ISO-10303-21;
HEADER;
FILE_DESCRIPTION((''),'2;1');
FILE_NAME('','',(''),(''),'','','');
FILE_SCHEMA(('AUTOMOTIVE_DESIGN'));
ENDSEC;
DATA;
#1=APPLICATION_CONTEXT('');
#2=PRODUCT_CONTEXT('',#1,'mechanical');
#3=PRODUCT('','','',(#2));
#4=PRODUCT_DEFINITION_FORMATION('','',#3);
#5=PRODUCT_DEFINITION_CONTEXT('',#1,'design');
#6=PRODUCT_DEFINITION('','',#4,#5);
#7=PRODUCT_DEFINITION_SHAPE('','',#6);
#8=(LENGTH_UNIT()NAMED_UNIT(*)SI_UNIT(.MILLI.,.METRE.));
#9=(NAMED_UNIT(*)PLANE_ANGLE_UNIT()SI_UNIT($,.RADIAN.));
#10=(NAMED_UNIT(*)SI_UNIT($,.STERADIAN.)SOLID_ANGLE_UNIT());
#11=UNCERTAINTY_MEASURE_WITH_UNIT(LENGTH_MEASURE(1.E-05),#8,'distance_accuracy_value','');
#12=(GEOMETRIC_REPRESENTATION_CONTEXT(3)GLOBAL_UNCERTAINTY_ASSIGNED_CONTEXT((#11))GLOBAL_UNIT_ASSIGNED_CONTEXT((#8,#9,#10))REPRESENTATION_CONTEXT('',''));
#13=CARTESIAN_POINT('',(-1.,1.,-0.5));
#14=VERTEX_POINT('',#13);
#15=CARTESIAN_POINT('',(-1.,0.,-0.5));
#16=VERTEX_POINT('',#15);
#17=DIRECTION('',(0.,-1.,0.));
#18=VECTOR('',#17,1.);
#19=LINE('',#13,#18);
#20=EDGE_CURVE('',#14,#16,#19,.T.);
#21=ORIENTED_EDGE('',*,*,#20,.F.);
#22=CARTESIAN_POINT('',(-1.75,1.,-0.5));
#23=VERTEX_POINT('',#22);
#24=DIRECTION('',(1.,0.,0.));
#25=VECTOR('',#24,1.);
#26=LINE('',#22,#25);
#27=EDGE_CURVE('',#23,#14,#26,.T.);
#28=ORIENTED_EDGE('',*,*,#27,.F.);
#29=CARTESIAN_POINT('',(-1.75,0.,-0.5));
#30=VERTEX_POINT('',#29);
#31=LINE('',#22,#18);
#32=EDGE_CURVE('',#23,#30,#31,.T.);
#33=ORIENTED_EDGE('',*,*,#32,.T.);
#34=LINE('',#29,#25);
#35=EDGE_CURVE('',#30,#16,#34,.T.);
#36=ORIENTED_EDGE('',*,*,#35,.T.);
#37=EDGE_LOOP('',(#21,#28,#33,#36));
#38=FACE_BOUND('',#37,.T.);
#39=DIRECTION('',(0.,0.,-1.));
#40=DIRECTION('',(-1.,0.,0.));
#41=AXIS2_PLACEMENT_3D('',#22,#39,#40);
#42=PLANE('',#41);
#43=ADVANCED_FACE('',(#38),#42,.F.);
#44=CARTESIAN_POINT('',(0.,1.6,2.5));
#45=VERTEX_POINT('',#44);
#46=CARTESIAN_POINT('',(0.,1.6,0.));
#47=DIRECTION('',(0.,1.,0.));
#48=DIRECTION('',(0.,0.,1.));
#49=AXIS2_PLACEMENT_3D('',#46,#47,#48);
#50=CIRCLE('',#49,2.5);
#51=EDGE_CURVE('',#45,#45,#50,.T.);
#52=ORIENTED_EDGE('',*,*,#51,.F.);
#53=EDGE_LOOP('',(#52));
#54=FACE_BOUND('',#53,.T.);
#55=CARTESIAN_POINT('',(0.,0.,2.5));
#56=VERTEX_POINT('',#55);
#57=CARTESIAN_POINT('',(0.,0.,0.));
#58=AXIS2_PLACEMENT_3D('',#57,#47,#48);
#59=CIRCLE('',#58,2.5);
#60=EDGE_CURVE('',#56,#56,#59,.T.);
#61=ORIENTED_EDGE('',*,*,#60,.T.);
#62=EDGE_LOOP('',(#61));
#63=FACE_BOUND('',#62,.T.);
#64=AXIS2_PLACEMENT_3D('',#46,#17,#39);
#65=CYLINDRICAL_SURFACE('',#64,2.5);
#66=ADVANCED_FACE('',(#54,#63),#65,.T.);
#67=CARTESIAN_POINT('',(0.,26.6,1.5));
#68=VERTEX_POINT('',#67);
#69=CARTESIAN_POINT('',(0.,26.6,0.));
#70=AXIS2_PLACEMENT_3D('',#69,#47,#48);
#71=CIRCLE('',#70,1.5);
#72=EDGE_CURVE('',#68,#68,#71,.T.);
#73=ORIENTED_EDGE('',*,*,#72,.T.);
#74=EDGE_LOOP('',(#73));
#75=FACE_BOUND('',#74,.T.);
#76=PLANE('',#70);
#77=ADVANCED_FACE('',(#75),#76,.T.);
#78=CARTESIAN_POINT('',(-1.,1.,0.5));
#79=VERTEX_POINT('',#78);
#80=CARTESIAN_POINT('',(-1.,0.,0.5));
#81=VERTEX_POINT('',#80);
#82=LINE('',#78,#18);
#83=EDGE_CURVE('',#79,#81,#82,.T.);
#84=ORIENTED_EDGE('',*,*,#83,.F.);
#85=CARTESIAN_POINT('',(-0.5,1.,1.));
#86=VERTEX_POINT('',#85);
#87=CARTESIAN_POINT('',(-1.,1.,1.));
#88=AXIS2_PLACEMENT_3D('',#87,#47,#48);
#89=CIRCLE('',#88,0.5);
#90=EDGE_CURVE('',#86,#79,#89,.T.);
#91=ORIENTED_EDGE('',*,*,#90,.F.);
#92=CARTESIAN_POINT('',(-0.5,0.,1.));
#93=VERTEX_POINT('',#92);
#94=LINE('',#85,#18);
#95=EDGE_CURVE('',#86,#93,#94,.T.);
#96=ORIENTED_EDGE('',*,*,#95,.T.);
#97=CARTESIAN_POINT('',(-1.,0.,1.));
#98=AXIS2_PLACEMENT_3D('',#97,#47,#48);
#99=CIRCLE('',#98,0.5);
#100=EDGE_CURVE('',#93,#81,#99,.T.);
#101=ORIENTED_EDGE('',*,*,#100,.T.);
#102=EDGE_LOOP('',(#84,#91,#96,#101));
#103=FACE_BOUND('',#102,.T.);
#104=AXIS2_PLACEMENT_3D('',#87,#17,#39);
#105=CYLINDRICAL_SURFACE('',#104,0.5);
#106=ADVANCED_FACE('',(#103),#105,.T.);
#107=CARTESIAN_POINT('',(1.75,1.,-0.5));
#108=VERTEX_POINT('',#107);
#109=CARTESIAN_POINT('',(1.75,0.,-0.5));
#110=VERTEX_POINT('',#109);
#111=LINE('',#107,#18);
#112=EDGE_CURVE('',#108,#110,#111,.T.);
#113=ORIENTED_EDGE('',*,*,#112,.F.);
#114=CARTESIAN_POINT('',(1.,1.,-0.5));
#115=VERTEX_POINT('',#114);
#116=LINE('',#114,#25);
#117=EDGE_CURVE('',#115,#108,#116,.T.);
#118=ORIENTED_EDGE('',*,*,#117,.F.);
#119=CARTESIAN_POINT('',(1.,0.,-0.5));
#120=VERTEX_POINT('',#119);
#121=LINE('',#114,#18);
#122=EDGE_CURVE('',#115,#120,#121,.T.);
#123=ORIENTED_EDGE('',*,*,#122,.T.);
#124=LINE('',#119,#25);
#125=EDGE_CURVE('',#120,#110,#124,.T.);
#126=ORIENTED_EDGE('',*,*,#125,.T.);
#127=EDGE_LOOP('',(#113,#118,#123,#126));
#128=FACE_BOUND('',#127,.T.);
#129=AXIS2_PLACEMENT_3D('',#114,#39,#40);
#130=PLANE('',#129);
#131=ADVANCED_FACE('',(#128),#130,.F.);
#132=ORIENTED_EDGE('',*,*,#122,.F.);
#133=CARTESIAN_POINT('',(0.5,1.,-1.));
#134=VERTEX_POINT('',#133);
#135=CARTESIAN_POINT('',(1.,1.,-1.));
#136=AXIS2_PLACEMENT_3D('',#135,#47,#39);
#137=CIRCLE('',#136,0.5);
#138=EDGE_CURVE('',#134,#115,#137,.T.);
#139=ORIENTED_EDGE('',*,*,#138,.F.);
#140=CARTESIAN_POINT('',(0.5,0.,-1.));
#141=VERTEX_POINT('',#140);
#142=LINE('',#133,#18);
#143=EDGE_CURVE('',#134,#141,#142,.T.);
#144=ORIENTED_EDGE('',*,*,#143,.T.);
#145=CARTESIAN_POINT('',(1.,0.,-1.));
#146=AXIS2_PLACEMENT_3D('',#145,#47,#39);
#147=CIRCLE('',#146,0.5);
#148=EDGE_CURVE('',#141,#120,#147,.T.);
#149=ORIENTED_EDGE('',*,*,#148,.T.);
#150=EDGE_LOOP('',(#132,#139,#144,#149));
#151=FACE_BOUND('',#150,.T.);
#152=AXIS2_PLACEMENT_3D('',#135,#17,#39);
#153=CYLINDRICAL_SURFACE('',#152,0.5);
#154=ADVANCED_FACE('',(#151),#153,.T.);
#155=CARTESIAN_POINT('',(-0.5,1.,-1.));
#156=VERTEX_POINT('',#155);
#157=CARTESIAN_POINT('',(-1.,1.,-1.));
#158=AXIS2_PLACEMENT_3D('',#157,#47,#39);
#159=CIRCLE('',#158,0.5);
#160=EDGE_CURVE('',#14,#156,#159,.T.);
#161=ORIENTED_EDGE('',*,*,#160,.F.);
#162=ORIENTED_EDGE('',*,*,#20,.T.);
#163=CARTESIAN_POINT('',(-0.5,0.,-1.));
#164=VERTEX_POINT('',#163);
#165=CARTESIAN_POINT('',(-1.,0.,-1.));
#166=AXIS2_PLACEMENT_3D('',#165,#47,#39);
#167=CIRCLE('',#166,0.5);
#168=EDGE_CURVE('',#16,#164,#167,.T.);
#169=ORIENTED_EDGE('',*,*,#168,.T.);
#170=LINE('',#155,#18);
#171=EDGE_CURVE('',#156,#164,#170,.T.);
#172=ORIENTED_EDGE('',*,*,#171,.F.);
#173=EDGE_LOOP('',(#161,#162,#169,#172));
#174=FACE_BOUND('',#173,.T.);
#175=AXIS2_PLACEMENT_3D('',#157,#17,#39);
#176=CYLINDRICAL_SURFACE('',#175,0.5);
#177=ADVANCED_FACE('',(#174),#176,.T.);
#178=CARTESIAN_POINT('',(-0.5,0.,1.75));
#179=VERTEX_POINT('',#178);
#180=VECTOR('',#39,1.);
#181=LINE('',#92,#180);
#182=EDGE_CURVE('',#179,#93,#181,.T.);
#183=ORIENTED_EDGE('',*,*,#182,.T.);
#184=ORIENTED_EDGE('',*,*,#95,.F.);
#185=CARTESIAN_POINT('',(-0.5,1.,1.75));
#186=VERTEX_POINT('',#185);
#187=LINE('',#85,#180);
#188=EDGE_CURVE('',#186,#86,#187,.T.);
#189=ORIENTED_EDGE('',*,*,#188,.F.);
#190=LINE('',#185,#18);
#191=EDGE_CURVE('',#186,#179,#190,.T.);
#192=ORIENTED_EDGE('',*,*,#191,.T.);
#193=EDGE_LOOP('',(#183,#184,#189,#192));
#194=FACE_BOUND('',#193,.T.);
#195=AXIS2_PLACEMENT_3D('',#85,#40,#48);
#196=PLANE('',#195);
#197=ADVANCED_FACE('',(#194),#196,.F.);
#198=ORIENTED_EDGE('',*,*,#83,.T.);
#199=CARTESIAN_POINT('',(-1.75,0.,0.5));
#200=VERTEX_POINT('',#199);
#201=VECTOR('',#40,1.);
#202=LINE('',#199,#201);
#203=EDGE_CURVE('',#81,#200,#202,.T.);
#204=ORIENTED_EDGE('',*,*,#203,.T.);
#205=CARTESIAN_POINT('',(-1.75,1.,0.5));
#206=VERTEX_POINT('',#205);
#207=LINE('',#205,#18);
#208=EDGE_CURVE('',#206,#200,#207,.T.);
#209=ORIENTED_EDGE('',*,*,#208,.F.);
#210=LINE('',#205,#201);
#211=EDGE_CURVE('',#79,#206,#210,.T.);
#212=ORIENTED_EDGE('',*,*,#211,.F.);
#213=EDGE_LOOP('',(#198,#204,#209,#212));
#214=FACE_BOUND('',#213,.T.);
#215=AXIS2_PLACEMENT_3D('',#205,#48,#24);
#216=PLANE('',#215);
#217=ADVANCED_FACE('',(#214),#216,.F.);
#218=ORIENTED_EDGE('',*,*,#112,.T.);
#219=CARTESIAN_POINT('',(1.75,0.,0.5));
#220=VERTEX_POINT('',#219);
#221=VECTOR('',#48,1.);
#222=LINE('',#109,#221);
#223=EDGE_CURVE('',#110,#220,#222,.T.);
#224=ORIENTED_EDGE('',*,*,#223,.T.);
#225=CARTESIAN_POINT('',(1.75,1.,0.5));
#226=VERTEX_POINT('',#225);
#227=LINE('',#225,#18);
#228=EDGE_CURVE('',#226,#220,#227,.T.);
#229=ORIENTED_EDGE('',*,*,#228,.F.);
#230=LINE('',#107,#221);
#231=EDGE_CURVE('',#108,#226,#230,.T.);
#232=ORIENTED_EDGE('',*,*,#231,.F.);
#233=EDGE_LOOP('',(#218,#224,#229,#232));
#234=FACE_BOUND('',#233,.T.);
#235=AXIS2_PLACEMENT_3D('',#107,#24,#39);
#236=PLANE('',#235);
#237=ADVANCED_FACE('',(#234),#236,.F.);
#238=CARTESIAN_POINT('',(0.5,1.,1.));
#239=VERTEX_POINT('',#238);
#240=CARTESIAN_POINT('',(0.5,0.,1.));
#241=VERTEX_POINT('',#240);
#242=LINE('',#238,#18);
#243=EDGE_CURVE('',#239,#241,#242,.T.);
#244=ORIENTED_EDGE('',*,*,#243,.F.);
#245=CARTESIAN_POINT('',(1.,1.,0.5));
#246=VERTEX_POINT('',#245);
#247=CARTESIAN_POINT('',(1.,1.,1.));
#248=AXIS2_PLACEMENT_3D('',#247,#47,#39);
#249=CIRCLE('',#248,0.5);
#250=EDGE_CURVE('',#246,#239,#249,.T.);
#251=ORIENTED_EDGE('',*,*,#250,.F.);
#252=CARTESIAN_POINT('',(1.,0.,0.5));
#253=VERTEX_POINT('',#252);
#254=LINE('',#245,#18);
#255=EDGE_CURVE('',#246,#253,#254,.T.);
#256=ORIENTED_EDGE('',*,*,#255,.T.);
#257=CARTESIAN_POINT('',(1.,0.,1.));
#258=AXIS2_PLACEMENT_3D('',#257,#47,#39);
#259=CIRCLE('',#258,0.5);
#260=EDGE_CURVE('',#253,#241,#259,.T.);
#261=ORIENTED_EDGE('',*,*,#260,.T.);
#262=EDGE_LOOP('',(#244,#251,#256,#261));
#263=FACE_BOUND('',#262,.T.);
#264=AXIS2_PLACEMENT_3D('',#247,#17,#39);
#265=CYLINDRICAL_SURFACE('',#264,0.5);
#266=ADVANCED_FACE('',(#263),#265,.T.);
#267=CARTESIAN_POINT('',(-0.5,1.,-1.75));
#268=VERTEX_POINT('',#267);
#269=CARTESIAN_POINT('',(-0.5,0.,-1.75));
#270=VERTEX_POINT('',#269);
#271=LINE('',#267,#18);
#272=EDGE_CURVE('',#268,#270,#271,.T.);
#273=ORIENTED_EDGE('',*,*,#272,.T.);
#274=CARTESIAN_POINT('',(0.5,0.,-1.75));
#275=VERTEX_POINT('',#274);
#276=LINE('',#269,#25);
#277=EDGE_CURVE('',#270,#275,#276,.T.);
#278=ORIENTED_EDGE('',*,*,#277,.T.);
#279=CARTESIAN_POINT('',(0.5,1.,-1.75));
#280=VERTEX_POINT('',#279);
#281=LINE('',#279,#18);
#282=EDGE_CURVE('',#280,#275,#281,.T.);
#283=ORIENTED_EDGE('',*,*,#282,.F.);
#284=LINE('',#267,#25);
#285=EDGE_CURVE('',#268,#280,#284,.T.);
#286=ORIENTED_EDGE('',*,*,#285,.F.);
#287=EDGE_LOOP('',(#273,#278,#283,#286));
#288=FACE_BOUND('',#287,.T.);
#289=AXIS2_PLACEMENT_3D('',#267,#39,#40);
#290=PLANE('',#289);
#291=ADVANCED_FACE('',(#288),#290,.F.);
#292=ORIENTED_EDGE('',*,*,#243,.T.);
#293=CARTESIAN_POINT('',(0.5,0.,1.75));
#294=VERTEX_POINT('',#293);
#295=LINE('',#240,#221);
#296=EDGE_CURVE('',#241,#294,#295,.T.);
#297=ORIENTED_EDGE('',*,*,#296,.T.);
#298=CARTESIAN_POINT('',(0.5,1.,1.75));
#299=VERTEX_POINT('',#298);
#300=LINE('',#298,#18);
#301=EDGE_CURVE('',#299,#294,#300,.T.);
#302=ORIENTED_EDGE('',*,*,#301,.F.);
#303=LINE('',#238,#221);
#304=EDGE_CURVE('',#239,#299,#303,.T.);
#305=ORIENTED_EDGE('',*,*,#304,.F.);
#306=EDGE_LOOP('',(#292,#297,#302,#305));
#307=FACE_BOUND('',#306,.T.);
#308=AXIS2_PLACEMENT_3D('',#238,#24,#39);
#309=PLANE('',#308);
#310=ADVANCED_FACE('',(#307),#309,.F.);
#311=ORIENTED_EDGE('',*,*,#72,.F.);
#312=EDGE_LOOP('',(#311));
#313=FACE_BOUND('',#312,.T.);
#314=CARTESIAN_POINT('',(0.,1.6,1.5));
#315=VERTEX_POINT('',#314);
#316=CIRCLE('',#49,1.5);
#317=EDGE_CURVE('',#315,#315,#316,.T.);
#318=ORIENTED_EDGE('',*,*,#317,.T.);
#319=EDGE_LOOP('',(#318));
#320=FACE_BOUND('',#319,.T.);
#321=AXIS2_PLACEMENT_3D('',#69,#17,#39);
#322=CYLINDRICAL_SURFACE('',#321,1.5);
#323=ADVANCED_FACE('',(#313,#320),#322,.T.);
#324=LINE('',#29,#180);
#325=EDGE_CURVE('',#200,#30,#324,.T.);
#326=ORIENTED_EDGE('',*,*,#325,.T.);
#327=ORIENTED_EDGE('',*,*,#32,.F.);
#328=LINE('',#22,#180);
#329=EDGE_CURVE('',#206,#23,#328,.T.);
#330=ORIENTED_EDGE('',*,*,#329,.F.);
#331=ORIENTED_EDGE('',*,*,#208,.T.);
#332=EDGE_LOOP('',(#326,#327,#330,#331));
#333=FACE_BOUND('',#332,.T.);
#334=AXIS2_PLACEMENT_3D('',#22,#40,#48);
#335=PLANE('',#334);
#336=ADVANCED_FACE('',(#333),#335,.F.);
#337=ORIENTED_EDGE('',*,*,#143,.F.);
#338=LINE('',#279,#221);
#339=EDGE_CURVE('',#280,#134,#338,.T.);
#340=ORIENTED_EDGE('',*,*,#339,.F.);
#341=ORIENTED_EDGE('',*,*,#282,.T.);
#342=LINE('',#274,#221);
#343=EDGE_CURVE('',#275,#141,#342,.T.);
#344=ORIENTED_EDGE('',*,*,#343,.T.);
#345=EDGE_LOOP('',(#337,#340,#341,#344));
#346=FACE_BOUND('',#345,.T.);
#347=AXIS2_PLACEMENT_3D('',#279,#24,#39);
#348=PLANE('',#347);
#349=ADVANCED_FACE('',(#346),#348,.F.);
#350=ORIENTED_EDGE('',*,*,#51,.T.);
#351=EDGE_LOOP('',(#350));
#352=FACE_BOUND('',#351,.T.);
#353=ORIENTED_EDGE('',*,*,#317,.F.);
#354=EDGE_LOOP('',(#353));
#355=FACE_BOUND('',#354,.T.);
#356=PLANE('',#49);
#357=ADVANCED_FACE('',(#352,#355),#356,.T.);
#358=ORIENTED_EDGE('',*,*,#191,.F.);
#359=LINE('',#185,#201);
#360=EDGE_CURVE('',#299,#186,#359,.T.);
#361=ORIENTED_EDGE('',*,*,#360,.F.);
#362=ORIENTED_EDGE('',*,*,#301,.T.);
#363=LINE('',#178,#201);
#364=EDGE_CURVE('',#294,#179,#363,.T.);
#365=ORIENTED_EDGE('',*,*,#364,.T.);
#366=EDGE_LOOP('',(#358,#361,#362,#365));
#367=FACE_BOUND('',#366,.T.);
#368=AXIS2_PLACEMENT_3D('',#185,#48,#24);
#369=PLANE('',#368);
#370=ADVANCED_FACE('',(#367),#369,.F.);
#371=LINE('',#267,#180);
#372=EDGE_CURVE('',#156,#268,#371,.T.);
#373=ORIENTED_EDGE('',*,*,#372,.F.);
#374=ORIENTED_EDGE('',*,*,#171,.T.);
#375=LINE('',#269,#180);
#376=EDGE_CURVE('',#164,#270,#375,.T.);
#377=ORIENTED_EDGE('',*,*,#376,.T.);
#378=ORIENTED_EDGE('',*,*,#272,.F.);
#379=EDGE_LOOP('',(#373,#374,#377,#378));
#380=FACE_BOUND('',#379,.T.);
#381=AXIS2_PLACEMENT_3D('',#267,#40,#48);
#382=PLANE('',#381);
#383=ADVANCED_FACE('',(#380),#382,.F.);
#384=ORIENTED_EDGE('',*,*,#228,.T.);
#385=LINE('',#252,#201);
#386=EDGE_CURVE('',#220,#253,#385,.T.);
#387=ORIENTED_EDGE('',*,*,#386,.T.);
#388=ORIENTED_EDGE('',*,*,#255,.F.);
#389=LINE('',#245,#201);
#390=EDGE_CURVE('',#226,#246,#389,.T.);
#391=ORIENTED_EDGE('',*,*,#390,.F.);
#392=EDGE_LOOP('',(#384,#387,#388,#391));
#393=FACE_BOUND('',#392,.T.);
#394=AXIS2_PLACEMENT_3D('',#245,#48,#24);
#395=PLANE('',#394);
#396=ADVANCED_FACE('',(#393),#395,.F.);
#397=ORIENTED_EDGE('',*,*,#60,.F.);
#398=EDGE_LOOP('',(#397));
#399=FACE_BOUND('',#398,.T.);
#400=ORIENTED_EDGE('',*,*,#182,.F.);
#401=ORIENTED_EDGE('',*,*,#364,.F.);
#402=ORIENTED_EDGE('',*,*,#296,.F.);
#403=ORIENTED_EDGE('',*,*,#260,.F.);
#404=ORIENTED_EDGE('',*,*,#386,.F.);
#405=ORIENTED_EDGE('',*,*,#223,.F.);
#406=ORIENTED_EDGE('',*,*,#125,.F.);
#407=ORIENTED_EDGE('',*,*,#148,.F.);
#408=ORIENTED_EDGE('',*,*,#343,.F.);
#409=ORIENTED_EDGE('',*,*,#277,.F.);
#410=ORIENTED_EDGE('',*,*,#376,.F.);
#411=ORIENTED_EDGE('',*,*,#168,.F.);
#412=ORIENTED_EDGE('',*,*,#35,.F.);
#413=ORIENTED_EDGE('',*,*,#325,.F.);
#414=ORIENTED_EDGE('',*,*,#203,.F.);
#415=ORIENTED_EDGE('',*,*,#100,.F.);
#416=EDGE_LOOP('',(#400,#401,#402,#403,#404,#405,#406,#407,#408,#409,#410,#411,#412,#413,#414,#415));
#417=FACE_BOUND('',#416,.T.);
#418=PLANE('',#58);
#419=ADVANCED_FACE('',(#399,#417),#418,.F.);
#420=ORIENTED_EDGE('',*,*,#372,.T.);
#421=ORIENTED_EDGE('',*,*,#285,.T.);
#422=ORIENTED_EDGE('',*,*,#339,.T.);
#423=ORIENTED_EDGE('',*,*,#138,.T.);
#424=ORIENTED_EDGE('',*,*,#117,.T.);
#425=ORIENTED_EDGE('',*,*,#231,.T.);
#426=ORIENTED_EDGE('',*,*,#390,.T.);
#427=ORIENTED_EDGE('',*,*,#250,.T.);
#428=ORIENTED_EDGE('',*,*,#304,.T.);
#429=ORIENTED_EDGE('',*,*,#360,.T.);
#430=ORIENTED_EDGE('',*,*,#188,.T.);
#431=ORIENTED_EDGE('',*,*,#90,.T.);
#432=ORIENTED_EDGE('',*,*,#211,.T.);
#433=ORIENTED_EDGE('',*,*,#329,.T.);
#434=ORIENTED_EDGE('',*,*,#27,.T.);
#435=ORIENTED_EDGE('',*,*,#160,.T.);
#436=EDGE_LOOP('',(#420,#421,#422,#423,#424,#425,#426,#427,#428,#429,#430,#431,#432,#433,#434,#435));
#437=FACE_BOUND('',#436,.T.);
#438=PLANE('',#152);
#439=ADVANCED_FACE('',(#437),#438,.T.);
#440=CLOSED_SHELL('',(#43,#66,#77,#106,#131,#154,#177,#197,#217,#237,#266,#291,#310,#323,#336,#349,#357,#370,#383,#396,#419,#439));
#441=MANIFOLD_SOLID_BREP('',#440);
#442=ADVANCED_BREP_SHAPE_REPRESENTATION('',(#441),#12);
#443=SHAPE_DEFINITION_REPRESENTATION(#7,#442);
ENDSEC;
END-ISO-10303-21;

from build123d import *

# Parameters (mm, degrees)
SKETCH_1_R          = 2.5
EXTRUDE_1_DEPTH     = 1.6
SKETCH_2_R          = 1.5
EXTRUDE_2_DEPTH     = 25
CUT_EXTRUDE_1_DEPTH = 1


with BuildPart() as part:
    # 草图1 → 凸台-拉伸1 (new body)
    with BuildSketch(Plane(origin=(0, 0, 0), x_dir=(1, 0, 0), z_dir=(0, 1, 0))):
        Circle(SKETCH_1_R)
    extrude(amount=EXTRUDE_1_DEPTH)

    # 草图2 → 凸台-拉伸2 (add)
    with BuildSketch(Plane(origin=(0, 1.6, 0), x_dir=(1, 0, 0), z_dir=(0, 1, 0))):
        Circle(SKETCH_2_R)
    extrude(amount=EXTRUDE_2_DEPTH)

    # 草图3 → 切除-拉伸1 (cut)
    with BuildSketch(Plane.XZ):
        with BuildLine():
            Line((-0.5, 1), (-0.5, 1.75))
            Line((-0.5, 1.75), (0.5, 1.75))
            Line((0.5, 1.75), (0.5, 1))
            ThreePointArc((0.5, 1), (0.646446609, 0.646446609), (1, 0.5))
            Line((1, 0.5), (1.75, 0.5))
            Line((1.75, 0.5), (1.75, -0.5))
            Line((1.75, -0.5), (1, -0.5))
            ThreePointArc((1, -0.5), (0.646446609, -0.646446609), (0.5, -1))
            Line((0.5, -1), (0.5, -1.75))
            Line((0.5, -1.75), (-0.5, -1.75))
            Line((-0.5, -1.75), (-0.5, -1))
            ThreePointArc((-0.5, -1), (-0.646446609, -0.646446609), (-1, -0.5))
            Line((-1, -0.5), (-1.75, -0.5))
            Line((-1.75, -0.5), (-1.75, 0.5))
            Line((-1.75, 0.5), (-1, 0.5))
            ThreePointArc((-1, 0.5), (-0.646446609, 0.646446609), (-0.5, 1))
        make_face()
    extrude(amount=-CUT_EXTRUDE_1_DEPTH, mode=Mode.SUBTRACT)


solid = part.part
